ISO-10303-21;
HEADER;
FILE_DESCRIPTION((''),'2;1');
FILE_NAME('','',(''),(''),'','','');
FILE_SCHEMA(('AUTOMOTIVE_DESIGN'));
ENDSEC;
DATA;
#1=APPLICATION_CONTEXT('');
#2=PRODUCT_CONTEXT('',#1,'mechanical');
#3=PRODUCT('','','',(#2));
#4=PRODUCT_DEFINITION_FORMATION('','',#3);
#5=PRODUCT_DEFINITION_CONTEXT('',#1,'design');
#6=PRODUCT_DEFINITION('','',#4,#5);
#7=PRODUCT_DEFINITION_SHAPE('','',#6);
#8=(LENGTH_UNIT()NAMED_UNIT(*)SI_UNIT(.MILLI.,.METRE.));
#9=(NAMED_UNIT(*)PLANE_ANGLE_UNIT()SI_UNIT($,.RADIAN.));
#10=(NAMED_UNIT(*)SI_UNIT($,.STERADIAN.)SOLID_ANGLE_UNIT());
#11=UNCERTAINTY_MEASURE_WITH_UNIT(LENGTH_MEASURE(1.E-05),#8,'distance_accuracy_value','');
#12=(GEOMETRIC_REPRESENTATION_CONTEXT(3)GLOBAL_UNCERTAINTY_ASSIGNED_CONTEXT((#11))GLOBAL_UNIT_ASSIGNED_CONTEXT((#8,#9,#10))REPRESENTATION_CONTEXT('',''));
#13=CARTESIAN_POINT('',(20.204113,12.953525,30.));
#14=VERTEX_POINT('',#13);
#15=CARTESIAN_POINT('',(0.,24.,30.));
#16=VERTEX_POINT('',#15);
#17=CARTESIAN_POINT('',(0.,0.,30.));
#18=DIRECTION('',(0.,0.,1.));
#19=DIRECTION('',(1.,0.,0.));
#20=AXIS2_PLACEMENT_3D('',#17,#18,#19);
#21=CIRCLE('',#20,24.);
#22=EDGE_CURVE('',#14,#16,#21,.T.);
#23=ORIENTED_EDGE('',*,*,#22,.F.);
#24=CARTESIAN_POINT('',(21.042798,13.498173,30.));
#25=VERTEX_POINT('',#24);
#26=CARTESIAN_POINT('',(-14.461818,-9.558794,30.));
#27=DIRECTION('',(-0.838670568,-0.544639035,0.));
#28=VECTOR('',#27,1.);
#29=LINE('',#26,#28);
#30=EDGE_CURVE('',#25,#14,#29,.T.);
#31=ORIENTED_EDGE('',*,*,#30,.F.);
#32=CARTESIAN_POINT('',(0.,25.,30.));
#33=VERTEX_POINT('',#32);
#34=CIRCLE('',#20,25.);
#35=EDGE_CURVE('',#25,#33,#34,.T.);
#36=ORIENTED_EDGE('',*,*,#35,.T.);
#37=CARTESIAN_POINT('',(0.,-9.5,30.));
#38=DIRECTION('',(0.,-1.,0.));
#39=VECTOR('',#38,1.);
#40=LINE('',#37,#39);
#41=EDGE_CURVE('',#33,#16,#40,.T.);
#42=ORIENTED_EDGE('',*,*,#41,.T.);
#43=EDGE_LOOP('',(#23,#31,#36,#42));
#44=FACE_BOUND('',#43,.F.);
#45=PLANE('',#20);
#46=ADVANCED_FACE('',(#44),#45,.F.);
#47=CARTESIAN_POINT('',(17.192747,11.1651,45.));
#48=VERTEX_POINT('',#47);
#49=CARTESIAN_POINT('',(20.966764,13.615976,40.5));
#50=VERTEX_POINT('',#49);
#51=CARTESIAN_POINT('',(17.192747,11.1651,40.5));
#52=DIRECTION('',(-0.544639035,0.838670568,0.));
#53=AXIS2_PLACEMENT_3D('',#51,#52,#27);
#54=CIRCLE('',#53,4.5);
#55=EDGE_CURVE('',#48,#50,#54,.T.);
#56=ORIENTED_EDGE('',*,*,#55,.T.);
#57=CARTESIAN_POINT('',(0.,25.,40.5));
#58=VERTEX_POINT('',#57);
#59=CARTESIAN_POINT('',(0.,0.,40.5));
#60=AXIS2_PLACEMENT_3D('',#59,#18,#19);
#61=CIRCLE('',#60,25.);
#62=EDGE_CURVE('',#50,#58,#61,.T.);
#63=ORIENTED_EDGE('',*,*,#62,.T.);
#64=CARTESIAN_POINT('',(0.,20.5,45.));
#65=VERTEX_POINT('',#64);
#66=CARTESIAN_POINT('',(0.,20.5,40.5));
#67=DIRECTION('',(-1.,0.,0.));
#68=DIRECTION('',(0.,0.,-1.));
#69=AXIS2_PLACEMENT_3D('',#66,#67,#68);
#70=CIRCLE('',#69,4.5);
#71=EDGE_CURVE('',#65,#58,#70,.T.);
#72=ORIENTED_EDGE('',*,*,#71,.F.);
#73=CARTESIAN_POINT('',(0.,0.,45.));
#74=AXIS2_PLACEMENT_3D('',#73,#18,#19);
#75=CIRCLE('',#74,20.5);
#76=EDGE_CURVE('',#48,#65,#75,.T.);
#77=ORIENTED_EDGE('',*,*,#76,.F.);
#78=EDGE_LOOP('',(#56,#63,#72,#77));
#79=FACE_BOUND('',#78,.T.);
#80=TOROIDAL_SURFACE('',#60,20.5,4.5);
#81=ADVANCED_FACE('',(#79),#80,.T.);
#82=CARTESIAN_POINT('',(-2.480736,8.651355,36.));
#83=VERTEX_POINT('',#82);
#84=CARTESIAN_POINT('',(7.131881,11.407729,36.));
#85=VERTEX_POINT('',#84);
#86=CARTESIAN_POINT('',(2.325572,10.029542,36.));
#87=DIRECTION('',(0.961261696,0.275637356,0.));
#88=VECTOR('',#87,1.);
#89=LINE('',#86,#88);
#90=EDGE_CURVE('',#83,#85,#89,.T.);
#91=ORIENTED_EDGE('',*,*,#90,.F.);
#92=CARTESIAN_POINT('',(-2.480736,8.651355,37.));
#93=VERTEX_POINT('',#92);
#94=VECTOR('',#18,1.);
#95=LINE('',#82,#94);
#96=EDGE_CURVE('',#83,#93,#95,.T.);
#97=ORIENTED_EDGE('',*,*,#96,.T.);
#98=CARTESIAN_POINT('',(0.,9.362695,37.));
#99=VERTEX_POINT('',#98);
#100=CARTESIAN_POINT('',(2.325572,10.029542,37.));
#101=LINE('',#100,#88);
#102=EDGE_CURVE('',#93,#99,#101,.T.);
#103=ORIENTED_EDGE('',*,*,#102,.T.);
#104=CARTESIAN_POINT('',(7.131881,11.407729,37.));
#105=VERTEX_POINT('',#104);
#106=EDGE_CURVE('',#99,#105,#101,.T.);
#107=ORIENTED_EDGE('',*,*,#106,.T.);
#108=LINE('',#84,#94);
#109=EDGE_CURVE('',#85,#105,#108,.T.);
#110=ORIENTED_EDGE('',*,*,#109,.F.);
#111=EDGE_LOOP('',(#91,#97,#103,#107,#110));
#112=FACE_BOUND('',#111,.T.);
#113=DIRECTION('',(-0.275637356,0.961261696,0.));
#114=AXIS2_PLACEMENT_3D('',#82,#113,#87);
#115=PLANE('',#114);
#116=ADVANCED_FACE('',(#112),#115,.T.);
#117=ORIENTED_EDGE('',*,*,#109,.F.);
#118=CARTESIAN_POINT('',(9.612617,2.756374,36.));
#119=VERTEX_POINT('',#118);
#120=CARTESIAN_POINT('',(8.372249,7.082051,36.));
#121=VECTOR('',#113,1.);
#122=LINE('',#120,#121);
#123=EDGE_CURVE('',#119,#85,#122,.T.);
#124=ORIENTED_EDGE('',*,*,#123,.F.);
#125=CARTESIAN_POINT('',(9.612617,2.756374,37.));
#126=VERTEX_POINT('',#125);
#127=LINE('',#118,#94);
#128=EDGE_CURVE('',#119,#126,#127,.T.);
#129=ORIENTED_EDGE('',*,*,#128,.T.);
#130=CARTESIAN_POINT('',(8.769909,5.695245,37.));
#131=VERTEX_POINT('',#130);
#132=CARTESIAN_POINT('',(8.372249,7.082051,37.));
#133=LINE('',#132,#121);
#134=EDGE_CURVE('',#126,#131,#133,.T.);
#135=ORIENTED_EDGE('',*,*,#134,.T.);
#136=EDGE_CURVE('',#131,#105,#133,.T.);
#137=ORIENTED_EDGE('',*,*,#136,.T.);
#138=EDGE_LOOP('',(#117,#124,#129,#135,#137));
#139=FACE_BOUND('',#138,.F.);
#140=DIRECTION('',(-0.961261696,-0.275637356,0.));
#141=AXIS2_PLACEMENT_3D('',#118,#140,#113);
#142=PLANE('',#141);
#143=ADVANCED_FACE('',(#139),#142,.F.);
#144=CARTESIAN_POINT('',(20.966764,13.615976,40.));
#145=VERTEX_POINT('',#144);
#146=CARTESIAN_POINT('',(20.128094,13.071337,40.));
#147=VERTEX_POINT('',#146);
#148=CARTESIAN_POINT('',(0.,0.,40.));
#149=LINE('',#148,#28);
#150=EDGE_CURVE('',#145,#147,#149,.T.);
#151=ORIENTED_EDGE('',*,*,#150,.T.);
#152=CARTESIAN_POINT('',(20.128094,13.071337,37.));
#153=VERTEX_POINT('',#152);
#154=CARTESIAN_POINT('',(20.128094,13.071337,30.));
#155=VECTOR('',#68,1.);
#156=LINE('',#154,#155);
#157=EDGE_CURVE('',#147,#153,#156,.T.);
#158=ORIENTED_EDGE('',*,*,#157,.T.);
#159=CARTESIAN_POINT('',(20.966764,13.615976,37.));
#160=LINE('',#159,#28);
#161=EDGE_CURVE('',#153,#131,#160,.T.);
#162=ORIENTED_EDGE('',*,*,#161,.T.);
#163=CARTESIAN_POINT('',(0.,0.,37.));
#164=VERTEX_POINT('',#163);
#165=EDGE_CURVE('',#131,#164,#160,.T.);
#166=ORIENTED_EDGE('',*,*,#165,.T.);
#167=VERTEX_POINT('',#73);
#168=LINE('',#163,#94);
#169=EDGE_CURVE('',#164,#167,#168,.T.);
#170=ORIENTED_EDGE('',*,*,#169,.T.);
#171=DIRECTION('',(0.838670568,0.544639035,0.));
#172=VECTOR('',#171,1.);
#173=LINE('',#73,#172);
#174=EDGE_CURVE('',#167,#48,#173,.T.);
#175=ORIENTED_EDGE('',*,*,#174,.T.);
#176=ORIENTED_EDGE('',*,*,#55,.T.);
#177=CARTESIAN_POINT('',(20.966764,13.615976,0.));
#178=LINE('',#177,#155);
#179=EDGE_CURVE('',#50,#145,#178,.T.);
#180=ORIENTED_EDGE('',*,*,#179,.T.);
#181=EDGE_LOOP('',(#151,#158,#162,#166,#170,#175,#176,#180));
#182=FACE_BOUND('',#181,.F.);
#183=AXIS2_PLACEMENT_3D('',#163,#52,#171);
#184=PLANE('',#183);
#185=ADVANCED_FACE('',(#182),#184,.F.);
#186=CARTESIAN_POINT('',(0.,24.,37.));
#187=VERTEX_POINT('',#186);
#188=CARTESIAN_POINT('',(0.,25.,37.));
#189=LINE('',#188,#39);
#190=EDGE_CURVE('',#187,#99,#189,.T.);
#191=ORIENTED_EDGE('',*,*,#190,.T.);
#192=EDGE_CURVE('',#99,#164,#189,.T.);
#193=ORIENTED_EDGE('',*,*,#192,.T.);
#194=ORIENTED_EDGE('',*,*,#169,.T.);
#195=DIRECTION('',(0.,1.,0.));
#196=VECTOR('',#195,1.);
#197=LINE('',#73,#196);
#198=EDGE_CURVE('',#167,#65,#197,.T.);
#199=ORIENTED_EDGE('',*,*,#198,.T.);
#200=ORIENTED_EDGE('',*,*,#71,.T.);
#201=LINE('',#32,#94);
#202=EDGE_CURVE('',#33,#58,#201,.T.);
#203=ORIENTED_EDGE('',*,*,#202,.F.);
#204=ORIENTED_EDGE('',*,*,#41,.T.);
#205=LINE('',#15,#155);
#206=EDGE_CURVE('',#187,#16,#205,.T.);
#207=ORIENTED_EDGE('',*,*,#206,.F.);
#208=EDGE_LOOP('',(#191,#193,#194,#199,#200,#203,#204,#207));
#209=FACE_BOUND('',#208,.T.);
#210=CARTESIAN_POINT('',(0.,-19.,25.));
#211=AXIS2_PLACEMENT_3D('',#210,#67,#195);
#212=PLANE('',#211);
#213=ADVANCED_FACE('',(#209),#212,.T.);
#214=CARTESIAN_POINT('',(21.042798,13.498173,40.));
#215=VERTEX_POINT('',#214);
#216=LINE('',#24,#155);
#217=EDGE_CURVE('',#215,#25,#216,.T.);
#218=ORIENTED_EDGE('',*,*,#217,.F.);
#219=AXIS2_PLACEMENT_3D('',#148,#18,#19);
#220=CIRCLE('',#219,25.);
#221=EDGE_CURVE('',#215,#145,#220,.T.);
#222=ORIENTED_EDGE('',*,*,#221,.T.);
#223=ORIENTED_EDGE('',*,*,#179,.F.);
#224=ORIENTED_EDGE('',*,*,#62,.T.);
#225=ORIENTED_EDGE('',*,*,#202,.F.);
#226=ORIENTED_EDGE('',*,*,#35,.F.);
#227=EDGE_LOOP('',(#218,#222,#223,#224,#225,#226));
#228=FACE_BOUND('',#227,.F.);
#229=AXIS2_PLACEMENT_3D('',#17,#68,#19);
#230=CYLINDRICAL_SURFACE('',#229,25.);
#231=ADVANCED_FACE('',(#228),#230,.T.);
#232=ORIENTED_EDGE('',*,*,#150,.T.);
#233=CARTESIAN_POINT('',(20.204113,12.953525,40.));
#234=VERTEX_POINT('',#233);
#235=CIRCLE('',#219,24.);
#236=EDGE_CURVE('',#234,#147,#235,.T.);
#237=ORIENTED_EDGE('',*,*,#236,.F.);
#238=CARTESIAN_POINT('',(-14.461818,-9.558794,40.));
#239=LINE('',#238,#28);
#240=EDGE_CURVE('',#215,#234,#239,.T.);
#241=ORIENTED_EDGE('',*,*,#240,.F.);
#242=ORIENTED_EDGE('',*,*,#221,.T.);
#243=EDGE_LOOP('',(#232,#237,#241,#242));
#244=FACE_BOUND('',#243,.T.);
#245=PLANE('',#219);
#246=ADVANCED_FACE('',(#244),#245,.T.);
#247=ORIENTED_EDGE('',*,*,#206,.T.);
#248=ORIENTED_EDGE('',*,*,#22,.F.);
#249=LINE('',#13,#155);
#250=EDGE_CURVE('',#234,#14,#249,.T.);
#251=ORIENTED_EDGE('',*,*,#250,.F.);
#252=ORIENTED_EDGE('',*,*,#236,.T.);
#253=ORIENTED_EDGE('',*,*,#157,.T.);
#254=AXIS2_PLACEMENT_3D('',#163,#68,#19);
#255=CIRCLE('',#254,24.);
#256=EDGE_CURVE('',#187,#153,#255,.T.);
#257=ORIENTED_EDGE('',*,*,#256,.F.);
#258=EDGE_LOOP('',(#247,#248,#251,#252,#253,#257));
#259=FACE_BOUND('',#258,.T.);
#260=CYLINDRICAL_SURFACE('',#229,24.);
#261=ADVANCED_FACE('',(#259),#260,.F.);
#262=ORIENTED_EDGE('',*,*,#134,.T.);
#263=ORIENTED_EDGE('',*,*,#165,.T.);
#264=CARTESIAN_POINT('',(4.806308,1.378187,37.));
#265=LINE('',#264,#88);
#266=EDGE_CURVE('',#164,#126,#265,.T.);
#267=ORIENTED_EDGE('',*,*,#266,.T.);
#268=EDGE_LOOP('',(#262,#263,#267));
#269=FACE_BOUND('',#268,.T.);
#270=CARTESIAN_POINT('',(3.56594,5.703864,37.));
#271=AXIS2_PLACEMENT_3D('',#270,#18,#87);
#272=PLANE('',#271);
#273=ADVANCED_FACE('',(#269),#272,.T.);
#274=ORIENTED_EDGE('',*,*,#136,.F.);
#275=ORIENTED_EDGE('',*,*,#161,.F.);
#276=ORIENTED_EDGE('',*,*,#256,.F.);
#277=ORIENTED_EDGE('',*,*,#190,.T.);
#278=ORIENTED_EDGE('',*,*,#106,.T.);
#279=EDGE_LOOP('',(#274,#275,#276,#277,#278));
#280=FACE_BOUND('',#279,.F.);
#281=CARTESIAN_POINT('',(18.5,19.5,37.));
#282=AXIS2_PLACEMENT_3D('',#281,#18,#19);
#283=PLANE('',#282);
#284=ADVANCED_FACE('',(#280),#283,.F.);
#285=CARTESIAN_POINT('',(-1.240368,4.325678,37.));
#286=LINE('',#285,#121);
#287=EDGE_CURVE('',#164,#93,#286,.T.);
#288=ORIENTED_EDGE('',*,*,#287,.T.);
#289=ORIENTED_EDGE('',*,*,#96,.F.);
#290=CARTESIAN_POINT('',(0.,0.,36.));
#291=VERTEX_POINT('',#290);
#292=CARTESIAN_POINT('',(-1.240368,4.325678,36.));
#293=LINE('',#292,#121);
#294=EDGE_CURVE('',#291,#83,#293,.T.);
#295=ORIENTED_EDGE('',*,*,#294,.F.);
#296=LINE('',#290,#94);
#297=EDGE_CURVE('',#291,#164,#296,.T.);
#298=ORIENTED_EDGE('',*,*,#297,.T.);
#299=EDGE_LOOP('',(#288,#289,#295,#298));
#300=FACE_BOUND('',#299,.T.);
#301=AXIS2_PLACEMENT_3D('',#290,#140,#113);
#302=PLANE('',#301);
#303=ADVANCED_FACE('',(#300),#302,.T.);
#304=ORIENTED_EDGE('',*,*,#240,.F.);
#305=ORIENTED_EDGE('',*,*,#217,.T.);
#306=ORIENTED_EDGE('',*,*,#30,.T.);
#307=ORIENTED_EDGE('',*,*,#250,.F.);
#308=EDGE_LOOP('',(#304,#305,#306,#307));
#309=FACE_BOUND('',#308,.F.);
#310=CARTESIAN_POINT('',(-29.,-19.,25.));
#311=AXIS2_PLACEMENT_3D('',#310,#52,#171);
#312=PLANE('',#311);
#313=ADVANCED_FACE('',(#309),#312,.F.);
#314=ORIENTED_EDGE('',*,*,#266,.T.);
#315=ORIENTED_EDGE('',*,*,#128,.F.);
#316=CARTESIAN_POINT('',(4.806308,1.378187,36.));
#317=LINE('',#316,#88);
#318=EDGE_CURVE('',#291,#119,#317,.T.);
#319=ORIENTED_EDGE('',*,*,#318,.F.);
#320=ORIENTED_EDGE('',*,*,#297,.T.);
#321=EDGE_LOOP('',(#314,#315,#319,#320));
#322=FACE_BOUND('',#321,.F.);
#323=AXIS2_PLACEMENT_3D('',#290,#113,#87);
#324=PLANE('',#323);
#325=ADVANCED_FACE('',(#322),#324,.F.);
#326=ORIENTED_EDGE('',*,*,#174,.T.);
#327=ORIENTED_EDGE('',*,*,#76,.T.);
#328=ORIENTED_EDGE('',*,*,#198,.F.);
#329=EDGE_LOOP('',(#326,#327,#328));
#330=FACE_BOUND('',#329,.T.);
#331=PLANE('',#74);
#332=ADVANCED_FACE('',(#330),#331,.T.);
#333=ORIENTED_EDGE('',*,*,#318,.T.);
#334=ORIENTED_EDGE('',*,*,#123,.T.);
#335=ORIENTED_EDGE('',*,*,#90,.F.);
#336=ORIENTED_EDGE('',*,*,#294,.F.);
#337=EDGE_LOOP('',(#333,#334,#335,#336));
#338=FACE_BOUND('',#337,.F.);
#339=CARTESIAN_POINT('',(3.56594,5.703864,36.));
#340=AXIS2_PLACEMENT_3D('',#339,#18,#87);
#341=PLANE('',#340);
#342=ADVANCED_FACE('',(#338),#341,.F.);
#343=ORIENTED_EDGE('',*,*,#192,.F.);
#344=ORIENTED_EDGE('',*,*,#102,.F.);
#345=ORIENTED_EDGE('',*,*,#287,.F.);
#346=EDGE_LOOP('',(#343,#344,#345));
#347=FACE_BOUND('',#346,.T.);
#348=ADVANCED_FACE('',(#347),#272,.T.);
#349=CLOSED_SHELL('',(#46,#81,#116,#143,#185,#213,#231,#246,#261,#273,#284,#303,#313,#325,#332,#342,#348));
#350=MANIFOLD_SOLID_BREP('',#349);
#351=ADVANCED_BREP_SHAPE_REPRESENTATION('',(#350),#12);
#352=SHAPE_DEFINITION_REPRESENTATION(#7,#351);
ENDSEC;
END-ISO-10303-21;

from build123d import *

# Parameters (mm, degrees)
BOX002_W               = 10
BOX002_H               = 9
BOX002_DEPTH           = 1
BOX002_PLACEMENT_ANGLE = 16
CYLINDER001_R          = 22
CYLINDER001_DEPTH      = 37
CYLINDER_R             = 25
CYLINDER_DEPTH         = 40
CYLINDER004_R          = 21
CYLINDER004_DEPTH      = 21
CYLINDER003_R          = 23
CYLINDER003_DEPTH      = 10
CYLINDER002_R          = 25
CYLINDER002_DEPTH      = 5
FILLET_R               = 4.5
BOX001_W               = 37
BOX001_H               = 39
BOX001_DEPTH           = 10
BOX001_PLACEMENT_ANGLE = 57
BOX_W                  = 37
BOX_H                  = 39
BOX_DEPTH              = 10
BOX004_W               = 33
BOX004_H               = 70
BOX004_DEPTH           = 17
BOX003_W               = 33
BOX003_H               = 70
BOX003_DEPTH           = 17
BOX003_PLACEMENT_ANGLE = 57
CYLINDER006_R          = 24
CYLINDER006_DEPTH      = 10
CYLINDER005_R          = 25
CYLINDER005_DEPTH      = 10


with BuildPart() as cubo002:
    # Box002 → Box002 (new body)
    with BuildSketch(Plane.XY):
        with Locations((5, 4.5)):
            Rectangle(BOX002_W, BOX002_H)
    extrude(amount=BOX002_DEPTH)


with BuildPart() as cubo002_1:
    # Box002 placement: moved
    add(cubo002.part.moved(Location((0, 0, 36))).rotate(Axis((0, 0, 36), (0, 0, 1)), BOX002_PLACEMENT_ANGLE))


with BuildPart() as cilindro001:
    # Cylinder001 → Cylinder001 (new body)
    with BuildSketch(Plane.XY):
        Circle(CYLINDER001_R)
    extrude(amount=CYLINDER001_DEPTH)


with BuildPart() as cut:
    # Cylinder → Cylinder (new body)
    with BuildSketch(Plane.XY):
        Circle(CYLINDER_R)
    extrude(amount=CYLINDER_DEPTH)

    # Cut: cut Cilindro001
    add(cilindro001.part, mode=Mode.SUBTRACT)


with BuildPart() as cilindro004:
    # Cylinder004 → Cylinder004 (new body)
    with BuildSketch(Plane.XY):
        Circle(CYLINDER004_R)
    extrude(amount=CYLINDER004_DEPTH)


with BuildPart() as cut001:
    # Cylinder003 → Cylinder003 (new body)
    with BuildSketch(Plane.XY):
        Circle(CYLINDER003_R)
    extrude(amount=CYLINDER003_DEPTH)

    # Cut001: cut Cilindro004
    add(cilindro004.part, mode=Mode.SUBTRACT)


with BuildPart() as cut001_1:
    # Cut001 placement: moved
    add(cut001.part.moved(Location((0, 0, -5))))


with BuildPart() as fusion:
    # Cylinder002 → Cylinder002 (new body)
    with BuildSketch(Plane.XY.offset(40)):
        Circle(CYLINDER002_R)
    extrude(amount=CYLINDER002_DEPTH)

    # Fillet
    fillet_edges = [fusion.edges().sort_by_distance(p)[0] for p in [
        (-25, 0, 45),
    ]]
    fillet(fillet_edges, radius=FILLET_R)

    # Fusion: union Cut, Cut001
    add(cut.part)
    add(cut001_1.part)


with BuildPart() as cubo001:
    # Box001 → Box001 (new body)
    with BuildSketch(Plane.XY):
        with Locations((18.5, 19.5)):
            Rectangle(BOX001_W, BOX001_H)
    extrude(amount=BOX001_DEPTH)


with BuildPart() as cubo001_1:
    # Box001 placement: moved
    add(cubo001.part.moved(Location((0, 0, 37))).rotate(Axis((0, 0, 37), (0, 0, -1)), BOX001_PLACEMENT_ANGLE))


with BuildPart() as common:
    # Box → Box (new body)
    with BuildSketch(Plane.XY.offset(37)):
        with Locations((18.5, 19.5)):
            Rectangle(BOX_W, BOX_H)
    extrude(amount=BOX_DEPTH)

    # Cut002: cut Cubo001
    add(cubo001_1.part, mode=Mode.SUBTRACT)

    # Common: intersect Fusion
    add(fusion.part, mode=Mode.INTERSECT)


with BuildPart() as cubo004:
    # Box004 → Box004 (new body)
    with BuildSketch(Plane(origin=(-33, -19, 29), x_dir=(1, 0, 0), z_dir=(0, 0, 1))):
        with Locations((16.5, 35)):
            Rectangle(BOX004_W, BOX004_H)
    extrude(amount=BOX004_DEPTH)


with BuildPart() as fusion001:
    # Box003 → Box003 (new body)
    with BuildSketch(Plane.XY):
        with Locations((16.5, 35)):
            Rectangle(BOX003_W, BOX003_H)
    extrude(amount=BOX003_DEPTH)


with BuildPart() as fusion001_1:
    # Box003 placement: moved
    add(fusion001.part.moved(Location((-29, -19, 29))).rotate(Axis((-29, -19, 29), (0, 0, -1)), BOX003_PLACEMENT_ANGLE))

    # Fusion001: union Cubo004
    add(cubo004.part)


with BuildPart() as cilindro006:
    # Cylinder006 → Cylinder006 (new body)
    with BuildSketch(Plane.XY.offset(34)):
        Circle(CYLINDER006_R)
    extrude(amount=CYLINDER006_DEPTH)


with BuildPart() as fusion002:
    # Cylinder005 → Cylinder005 (new body)
    with BuildSketch(Plane.XY.offset(34)):
        Circle(CYLINDER005_R)
    extrude(amount=CYLINDER005_DEPTH)

    # Cut003: cut Cilindro006
    add(cilindro006.part, mode=Mode.SUBTRACT)

    # Cut004: cut Fusion001
    add(fusion001_1.part, mode=Mode.SUBTRACT)


with BuildPart() as fusion002_1:
    # Cut004 placement: moved
    add(fusion002.part.moved(Location((0, 0, -4))))

    # Fusion002: union Cubo002, Common
    add(cubo002_1.part)
    add(common.part)


solid = fusion002_1.part
